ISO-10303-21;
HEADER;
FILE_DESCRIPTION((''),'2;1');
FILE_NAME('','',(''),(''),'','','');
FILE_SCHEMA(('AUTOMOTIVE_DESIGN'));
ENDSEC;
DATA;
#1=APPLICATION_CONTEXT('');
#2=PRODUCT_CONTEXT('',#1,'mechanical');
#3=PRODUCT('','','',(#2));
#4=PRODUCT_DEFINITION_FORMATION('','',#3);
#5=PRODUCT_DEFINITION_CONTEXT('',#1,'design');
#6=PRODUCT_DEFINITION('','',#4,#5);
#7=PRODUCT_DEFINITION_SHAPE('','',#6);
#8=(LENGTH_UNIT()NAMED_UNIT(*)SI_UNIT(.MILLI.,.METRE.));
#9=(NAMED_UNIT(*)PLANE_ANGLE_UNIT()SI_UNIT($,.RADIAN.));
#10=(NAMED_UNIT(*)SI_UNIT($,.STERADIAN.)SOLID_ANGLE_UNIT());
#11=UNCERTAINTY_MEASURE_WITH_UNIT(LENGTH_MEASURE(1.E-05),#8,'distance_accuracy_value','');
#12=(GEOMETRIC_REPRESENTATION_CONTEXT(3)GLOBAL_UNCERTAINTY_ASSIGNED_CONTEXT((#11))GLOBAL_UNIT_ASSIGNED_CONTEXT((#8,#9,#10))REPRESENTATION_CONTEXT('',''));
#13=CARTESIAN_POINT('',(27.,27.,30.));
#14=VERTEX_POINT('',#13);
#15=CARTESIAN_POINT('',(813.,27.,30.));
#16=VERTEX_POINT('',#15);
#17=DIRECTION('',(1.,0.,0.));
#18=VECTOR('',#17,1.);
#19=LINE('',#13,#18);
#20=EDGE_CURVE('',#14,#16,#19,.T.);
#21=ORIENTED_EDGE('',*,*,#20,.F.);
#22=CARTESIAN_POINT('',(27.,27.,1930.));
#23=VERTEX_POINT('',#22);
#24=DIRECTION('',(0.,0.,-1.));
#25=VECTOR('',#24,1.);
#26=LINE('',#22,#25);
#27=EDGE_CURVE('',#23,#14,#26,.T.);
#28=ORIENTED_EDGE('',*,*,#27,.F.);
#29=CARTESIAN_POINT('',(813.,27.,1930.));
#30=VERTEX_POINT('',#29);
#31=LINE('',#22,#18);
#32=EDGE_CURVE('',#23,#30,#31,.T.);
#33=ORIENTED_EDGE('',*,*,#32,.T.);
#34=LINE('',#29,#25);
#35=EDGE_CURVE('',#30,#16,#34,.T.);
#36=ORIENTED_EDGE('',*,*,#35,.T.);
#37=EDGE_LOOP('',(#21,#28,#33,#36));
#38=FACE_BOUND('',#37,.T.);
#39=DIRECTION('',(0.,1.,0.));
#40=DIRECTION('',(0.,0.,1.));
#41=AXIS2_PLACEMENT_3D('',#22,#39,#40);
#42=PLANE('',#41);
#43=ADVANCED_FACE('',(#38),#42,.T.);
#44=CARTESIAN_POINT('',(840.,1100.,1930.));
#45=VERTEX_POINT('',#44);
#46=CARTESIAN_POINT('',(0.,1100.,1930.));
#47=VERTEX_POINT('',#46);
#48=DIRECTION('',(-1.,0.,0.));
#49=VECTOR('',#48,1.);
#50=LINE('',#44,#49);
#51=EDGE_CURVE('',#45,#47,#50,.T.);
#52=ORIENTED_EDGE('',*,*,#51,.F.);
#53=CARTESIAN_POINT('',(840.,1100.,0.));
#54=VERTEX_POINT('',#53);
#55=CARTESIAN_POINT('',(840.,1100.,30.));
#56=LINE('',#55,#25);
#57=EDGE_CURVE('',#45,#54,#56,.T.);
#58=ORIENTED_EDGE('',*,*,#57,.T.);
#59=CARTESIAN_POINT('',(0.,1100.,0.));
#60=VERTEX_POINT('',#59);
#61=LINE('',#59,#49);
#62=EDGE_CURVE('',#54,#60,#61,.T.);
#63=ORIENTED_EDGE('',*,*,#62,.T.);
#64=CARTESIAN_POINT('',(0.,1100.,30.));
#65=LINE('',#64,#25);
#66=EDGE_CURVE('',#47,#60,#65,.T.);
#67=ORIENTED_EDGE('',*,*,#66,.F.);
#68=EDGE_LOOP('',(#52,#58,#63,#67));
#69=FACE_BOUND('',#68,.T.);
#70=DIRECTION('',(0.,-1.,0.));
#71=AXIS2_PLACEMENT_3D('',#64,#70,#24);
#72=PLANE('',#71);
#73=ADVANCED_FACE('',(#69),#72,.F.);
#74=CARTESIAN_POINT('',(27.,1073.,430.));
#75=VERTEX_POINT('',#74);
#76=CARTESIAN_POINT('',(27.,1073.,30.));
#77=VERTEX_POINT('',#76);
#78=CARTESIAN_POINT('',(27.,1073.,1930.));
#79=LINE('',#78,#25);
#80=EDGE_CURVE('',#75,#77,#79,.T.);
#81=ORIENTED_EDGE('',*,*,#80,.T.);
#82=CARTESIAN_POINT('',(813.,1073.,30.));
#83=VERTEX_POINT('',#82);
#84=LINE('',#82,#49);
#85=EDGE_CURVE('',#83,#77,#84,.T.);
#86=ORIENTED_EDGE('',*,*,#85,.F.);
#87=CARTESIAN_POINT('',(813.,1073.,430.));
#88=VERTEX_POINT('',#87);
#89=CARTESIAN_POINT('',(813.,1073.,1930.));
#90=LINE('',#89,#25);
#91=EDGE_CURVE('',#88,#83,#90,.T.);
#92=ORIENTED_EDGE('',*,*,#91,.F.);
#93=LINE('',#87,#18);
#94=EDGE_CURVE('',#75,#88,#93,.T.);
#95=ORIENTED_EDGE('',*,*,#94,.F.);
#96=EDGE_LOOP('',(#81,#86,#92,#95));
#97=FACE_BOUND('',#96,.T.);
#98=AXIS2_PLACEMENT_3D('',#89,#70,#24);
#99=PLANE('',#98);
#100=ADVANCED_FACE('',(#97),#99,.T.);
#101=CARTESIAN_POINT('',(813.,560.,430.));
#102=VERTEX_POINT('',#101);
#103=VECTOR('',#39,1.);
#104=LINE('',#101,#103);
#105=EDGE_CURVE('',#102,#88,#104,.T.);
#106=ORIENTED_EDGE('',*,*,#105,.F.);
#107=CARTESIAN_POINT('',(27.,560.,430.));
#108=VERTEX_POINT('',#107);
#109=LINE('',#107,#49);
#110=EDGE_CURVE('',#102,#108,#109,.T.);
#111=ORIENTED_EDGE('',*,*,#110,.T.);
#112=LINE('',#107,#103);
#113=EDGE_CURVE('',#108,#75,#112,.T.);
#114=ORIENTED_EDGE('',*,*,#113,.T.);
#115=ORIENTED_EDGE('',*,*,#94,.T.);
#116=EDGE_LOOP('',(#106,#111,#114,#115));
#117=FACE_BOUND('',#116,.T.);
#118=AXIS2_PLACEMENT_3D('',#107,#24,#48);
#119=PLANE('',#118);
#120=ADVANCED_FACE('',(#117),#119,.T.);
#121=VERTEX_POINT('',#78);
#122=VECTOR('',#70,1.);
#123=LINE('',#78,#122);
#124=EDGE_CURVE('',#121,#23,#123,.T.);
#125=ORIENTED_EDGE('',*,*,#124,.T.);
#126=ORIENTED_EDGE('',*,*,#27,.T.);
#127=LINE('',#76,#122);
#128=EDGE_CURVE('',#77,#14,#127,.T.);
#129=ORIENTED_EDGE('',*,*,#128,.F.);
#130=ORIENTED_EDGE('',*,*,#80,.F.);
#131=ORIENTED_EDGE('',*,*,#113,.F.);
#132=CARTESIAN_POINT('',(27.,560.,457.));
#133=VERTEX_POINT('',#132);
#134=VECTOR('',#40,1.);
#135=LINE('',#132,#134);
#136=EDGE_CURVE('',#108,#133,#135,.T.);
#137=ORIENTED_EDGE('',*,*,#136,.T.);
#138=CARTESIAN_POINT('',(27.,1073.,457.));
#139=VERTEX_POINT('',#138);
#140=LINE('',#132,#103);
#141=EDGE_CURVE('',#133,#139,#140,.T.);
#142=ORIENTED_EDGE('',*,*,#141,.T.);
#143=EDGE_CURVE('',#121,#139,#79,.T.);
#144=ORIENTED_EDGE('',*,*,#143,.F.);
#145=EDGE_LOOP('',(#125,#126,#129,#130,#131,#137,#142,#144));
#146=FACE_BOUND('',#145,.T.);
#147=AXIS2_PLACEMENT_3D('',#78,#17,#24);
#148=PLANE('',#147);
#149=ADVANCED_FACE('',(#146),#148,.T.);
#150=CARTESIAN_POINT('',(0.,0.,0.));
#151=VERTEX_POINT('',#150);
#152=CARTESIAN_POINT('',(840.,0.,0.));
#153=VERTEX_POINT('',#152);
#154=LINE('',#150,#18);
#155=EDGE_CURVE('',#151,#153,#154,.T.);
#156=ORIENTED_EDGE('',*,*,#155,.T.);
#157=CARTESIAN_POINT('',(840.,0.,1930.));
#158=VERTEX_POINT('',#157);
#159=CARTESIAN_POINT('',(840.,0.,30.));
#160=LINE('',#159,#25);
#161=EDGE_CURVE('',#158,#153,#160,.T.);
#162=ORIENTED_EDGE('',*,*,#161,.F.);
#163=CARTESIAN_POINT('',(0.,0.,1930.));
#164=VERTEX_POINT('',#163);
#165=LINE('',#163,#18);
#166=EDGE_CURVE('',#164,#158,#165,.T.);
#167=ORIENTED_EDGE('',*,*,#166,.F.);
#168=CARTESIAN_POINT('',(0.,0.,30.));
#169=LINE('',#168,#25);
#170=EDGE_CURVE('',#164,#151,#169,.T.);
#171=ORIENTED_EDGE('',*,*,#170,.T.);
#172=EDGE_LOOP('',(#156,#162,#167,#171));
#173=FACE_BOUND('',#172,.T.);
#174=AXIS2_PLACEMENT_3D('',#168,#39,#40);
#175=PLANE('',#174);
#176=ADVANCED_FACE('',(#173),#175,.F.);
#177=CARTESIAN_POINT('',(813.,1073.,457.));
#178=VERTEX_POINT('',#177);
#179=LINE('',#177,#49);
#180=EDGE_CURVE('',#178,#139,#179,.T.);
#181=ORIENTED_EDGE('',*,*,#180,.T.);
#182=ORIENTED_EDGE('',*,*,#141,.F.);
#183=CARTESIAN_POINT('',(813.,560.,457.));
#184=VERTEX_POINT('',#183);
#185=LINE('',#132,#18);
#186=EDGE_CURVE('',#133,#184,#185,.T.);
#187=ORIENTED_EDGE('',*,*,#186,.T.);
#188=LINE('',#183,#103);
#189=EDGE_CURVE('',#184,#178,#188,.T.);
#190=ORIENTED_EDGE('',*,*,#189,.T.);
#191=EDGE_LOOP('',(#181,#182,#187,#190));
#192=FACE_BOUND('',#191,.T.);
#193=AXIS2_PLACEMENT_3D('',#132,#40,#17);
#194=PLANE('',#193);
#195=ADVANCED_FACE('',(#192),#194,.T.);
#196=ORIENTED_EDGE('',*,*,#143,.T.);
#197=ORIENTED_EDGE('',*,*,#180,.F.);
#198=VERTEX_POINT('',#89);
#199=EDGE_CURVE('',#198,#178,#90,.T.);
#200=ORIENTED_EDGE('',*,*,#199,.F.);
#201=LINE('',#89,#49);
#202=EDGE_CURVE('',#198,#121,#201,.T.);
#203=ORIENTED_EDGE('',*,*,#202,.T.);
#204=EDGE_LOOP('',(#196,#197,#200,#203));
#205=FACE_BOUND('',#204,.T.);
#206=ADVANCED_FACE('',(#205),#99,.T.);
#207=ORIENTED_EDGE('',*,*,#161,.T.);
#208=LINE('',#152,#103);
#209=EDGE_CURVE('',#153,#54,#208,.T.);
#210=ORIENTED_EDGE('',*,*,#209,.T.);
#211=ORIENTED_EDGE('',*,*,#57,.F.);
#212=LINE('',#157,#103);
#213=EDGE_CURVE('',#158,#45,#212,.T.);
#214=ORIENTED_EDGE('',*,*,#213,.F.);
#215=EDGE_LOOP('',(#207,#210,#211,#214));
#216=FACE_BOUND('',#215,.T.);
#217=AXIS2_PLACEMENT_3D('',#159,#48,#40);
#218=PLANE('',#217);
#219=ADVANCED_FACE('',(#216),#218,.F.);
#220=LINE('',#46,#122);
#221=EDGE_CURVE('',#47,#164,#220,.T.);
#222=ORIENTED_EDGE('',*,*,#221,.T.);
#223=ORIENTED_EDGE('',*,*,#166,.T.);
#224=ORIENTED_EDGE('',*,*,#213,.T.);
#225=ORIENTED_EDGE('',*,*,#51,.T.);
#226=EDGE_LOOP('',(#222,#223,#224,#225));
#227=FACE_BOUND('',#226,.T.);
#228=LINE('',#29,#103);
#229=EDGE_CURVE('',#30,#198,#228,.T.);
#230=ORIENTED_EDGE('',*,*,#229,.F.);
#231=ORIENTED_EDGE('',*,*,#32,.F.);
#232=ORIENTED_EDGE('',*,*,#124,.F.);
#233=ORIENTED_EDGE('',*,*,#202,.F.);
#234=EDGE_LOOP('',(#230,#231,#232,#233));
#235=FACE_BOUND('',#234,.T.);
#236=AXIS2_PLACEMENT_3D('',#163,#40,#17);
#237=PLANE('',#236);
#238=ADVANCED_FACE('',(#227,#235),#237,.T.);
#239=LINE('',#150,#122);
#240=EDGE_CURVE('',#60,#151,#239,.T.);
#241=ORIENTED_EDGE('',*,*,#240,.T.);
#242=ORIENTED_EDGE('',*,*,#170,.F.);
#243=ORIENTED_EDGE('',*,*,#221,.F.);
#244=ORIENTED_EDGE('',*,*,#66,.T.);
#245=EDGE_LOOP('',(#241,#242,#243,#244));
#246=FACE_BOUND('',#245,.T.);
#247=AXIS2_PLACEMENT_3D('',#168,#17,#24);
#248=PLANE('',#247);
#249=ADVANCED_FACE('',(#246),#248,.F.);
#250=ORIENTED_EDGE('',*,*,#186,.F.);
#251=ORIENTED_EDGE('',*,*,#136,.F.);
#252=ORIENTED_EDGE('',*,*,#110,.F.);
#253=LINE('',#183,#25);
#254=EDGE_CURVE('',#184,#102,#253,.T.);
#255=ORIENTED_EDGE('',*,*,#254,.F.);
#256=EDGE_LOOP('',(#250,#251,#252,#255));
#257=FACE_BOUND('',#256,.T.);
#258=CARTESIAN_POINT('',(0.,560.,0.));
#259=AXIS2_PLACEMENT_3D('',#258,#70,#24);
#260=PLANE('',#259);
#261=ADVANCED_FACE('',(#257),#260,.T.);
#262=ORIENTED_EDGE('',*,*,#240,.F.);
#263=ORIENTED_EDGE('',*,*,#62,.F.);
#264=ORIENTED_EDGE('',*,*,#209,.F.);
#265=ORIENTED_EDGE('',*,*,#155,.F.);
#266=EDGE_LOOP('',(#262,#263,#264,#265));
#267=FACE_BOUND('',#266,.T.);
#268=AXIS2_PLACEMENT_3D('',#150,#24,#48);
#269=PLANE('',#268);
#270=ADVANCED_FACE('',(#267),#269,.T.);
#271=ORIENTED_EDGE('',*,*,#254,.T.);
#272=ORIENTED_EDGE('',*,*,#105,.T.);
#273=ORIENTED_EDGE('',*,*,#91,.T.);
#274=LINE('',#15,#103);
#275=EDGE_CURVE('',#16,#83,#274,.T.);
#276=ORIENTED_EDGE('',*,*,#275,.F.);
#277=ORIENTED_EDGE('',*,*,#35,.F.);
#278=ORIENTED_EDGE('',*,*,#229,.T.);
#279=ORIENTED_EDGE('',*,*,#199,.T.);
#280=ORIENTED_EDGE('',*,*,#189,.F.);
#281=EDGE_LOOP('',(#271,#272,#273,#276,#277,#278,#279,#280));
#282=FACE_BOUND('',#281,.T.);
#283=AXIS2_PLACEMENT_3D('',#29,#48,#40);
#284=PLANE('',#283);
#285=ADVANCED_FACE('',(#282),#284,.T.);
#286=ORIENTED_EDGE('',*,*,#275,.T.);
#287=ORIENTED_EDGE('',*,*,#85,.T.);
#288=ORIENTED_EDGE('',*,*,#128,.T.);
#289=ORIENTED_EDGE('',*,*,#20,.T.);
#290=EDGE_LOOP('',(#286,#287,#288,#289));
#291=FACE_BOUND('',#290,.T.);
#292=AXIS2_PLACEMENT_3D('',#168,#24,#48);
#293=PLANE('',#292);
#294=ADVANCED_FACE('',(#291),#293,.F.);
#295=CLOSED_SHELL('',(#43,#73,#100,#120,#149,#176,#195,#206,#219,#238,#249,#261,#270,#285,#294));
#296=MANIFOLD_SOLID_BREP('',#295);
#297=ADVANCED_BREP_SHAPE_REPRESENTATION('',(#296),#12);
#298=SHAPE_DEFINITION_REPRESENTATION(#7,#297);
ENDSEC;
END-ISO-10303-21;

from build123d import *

# Parameters (mm, degrees)
ESQUISSE1_W        = 840
ESQUISSE1_H        = 1100
BOSS_EXTRU_1_DEPTH = 30
ESQUISSE2_W        = 840
ESQUISSE2_H        = 1100
ESQUISSE2_W_2      = 786
ESQUISSE2_H_2      = 1046
BOSS_EXTRU_2_DEPTH = 1900
ESQUISSE4_W        = 786
ESQUISSE4_H        = 27
BOSS_EXTRU_3_DEPTH = 540


with BuildPart() as part:
    # Esquisse1 → Boss.-Extru.1 (new body)
    with BuildSketch(Plane.XY):
        with Locations((420, 550)):
            Rectangle(ESQUISSE1_W, ESQUISSE1_H)
    extrude(amount=BOSS_EXTRU_1_DEPTH)

    # Esquisse2 → Boss.-Extru.2 (add)
    with BuildSketch(Plane.XY.offset(30)):
        with Locations((420, 550)):
            Rectangle(ESQUISSE2_W, ESQUISSE2_H)
        with Locations((420, 550)):
            Rectangle(ESQUISSE2_W_2, ESQUISSE2_H_2, mode=Mode.SUBTRACT)
    extrude(amount=BOSS_EXTRU_2_DEPTH)

    # Esquisse4 → Boss.-Extru.3 (add)
    with BuildSketch(Plane(origin=(0, 1100, 0), x_dir=(1, 0, 0), z_dir=(0, 1, 0))):
        with Locations((420, -443.5)):
            Rectangle(ESQUISSE4_W, ESQUISSE4_H)
    extrude(amount=-BOSS_EXTRU_3_DEPTH)


solid = part.part
